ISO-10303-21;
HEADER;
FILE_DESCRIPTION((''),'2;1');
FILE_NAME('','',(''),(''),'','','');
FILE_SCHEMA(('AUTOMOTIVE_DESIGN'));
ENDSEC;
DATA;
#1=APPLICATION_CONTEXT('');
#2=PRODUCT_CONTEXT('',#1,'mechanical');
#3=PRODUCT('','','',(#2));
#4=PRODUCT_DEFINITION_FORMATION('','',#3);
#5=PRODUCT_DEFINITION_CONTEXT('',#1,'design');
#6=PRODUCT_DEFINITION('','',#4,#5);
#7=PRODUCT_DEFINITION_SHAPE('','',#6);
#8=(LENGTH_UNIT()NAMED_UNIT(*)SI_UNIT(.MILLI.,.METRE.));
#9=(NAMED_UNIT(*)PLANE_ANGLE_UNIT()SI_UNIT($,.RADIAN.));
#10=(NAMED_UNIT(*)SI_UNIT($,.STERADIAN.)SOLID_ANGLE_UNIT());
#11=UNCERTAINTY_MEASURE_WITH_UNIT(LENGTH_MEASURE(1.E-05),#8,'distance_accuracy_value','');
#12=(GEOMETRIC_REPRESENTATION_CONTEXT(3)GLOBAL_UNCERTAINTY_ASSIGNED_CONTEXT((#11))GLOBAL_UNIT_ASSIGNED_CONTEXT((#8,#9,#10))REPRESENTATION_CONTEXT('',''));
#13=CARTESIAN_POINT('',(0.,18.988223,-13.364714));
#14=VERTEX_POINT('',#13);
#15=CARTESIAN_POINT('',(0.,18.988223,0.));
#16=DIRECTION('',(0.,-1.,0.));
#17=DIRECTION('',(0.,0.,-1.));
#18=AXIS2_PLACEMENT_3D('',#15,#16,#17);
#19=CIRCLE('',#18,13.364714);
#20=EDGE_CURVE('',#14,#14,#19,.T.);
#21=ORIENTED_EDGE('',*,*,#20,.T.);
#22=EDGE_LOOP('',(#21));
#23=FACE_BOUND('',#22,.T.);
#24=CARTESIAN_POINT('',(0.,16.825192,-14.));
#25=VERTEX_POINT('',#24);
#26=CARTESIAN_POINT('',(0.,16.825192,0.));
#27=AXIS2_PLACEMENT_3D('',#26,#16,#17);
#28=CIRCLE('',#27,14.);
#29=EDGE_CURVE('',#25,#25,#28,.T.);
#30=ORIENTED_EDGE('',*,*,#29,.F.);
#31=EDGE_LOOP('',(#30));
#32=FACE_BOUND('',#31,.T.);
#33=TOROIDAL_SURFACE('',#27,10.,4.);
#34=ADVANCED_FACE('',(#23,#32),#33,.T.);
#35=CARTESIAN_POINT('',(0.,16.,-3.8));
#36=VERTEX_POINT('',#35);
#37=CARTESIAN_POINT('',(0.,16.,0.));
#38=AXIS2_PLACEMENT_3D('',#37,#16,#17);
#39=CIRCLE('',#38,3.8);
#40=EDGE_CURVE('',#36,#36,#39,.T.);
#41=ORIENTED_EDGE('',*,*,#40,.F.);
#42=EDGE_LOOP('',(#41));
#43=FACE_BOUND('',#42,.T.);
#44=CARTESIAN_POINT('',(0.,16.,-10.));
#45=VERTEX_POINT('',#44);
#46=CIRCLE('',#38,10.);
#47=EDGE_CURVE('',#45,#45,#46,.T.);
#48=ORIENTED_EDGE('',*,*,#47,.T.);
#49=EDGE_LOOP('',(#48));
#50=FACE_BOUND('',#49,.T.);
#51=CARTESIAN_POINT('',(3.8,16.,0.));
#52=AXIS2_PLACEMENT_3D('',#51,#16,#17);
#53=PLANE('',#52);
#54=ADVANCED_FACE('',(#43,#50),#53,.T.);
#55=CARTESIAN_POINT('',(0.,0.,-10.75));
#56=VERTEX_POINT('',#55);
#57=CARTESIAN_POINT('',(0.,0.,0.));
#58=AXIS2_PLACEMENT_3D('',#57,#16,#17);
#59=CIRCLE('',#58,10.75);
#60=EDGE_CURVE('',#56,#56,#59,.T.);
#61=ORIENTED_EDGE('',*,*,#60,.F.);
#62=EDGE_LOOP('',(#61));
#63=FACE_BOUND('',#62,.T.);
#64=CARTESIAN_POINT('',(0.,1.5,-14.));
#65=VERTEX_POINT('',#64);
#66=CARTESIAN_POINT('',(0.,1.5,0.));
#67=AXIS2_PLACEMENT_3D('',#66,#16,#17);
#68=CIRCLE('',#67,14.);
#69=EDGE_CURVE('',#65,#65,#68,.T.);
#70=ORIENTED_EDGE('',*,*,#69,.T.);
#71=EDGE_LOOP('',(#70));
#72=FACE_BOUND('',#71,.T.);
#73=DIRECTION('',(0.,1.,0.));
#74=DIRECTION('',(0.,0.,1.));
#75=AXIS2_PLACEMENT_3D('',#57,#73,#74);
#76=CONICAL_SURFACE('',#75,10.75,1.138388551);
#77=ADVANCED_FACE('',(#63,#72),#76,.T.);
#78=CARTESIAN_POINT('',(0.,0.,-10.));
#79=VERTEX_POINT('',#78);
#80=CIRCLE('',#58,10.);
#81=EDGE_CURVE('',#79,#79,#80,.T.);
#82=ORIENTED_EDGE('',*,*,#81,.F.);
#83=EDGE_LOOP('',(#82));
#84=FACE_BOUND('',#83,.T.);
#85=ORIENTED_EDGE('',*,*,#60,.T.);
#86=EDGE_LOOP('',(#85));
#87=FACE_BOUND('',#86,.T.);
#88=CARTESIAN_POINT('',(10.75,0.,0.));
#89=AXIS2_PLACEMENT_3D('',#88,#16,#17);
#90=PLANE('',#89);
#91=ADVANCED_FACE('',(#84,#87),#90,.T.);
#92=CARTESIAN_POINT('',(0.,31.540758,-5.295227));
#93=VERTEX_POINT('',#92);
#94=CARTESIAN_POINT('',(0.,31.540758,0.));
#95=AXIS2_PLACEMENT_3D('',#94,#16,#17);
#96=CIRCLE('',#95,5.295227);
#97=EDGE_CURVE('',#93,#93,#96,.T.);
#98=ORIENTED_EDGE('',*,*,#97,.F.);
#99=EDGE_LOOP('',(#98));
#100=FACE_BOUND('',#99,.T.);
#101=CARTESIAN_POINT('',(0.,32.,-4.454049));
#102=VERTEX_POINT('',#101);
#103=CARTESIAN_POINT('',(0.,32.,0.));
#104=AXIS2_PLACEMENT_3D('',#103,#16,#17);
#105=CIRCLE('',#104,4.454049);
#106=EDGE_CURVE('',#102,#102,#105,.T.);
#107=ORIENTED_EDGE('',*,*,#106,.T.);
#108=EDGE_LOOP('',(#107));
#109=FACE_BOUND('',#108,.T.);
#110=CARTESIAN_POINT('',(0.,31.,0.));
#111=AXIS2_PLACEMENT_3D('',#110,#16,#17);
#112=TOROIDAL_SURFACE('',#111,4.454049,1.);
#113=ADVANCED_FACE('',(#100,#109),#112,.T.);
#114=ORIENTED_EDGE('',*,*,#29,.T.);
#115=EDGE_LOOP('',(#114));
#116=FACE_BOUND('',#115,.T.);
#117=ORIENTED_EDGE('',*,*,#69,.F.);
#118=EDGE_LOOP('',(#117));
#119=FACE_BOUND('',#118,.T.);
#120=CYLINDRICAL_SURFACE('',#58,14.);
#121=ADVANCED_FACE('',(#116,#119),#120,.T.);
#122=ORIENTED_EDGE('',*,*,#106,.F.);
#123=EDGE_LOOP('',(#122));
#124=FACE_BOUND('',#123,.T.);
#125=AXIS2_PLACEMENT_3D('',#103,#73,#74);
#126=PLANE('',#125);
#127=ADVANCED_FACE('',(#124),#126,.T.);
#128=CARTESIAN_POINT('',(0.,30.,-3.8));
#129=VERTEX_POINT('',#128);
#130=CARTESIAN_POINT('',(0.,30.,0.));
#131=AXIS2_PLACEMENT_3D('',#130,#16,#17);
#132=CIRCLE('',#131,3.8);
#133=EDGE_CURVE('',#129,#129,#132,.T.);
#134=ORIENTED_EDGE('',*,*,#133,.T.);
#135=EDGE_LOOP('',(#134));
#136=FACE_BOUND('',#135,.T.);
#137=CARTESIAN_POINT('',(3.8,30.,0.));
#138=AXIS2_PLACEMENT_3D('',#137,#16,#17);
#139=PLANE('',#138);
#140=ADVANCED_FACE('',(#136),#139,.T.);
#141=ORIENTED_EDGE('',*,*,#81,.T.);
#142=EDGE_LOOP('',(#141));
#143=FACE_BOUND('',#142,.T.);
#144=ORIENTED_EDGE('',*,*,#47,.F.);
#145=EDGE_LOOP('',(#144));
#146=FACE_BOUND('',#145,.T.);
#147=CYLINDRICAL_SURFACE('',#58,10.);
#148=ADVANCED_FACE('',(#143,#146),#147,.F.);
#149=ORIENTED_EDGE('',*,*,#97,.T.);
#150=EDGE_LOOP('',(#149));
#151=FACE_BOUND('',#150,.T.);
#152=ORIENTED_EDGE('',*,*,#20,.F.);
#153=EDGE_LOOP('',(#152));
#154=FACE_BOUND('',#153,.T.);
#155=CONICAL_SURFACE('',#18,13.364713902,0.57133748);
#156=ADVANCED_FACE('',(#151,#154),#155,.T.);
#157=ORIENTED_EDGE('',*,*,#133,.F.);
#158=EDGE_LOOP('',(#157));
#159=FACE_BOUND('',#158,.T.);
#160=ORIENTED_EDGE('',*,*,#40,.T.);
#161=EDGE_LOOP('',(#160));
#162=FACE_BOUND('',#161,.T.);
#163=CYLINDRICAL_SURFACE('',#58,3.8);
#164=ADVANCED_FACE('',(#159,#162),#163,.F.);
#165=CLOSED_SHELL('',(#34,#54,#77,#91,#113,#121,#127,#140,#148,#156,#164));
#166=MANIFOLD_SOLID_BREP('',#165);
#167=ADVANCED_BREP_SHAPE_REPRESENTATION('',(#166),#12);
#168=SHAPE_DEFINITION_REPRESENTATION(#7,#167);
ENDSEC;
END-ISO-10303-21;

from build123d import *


with BuildPart() as part:
    # Sketch1 → Revolve1 (revolve)
    with BuildSketch(Plane.XY, mode=Mode.PRIVATE) as revolve1_sk:
        with BuildLine():
            Line((0, 32), (4.454048787, 32))
            ThreePointArc((4.454048787, 32), (4.933236855, 31.877712251), (5.295227263, 31.540757591))
            Line((5.295227263, 31.540757591), (13.364713902, 18.98822282))
            ThreePointArc((13.364713902, 18.98822282), (13.837893667, 17.952389064), (14, 16.825192455))
            Line((14, 16.825192455), (14, 1.5))
            Line((14, 1.5), (10.75, 0))
            Line((10.75, 0), (10, 0))
            Line((10, 0), (10, 16))
            Line((10, 16), (3.8, 16))
            Line((3.8, 16), (3.8, 30))
            Line((3.8, 30), (0, 30))
            Line((0, 30), (0, 32))
        make_face()
    revolve(revolve1_sk.sketch.rotate(Axis((0, 0, 0), (0, 1, 0)), 90), axis=Axis((0, 0, 0), (0, 1, 0)))


solid = part.part
